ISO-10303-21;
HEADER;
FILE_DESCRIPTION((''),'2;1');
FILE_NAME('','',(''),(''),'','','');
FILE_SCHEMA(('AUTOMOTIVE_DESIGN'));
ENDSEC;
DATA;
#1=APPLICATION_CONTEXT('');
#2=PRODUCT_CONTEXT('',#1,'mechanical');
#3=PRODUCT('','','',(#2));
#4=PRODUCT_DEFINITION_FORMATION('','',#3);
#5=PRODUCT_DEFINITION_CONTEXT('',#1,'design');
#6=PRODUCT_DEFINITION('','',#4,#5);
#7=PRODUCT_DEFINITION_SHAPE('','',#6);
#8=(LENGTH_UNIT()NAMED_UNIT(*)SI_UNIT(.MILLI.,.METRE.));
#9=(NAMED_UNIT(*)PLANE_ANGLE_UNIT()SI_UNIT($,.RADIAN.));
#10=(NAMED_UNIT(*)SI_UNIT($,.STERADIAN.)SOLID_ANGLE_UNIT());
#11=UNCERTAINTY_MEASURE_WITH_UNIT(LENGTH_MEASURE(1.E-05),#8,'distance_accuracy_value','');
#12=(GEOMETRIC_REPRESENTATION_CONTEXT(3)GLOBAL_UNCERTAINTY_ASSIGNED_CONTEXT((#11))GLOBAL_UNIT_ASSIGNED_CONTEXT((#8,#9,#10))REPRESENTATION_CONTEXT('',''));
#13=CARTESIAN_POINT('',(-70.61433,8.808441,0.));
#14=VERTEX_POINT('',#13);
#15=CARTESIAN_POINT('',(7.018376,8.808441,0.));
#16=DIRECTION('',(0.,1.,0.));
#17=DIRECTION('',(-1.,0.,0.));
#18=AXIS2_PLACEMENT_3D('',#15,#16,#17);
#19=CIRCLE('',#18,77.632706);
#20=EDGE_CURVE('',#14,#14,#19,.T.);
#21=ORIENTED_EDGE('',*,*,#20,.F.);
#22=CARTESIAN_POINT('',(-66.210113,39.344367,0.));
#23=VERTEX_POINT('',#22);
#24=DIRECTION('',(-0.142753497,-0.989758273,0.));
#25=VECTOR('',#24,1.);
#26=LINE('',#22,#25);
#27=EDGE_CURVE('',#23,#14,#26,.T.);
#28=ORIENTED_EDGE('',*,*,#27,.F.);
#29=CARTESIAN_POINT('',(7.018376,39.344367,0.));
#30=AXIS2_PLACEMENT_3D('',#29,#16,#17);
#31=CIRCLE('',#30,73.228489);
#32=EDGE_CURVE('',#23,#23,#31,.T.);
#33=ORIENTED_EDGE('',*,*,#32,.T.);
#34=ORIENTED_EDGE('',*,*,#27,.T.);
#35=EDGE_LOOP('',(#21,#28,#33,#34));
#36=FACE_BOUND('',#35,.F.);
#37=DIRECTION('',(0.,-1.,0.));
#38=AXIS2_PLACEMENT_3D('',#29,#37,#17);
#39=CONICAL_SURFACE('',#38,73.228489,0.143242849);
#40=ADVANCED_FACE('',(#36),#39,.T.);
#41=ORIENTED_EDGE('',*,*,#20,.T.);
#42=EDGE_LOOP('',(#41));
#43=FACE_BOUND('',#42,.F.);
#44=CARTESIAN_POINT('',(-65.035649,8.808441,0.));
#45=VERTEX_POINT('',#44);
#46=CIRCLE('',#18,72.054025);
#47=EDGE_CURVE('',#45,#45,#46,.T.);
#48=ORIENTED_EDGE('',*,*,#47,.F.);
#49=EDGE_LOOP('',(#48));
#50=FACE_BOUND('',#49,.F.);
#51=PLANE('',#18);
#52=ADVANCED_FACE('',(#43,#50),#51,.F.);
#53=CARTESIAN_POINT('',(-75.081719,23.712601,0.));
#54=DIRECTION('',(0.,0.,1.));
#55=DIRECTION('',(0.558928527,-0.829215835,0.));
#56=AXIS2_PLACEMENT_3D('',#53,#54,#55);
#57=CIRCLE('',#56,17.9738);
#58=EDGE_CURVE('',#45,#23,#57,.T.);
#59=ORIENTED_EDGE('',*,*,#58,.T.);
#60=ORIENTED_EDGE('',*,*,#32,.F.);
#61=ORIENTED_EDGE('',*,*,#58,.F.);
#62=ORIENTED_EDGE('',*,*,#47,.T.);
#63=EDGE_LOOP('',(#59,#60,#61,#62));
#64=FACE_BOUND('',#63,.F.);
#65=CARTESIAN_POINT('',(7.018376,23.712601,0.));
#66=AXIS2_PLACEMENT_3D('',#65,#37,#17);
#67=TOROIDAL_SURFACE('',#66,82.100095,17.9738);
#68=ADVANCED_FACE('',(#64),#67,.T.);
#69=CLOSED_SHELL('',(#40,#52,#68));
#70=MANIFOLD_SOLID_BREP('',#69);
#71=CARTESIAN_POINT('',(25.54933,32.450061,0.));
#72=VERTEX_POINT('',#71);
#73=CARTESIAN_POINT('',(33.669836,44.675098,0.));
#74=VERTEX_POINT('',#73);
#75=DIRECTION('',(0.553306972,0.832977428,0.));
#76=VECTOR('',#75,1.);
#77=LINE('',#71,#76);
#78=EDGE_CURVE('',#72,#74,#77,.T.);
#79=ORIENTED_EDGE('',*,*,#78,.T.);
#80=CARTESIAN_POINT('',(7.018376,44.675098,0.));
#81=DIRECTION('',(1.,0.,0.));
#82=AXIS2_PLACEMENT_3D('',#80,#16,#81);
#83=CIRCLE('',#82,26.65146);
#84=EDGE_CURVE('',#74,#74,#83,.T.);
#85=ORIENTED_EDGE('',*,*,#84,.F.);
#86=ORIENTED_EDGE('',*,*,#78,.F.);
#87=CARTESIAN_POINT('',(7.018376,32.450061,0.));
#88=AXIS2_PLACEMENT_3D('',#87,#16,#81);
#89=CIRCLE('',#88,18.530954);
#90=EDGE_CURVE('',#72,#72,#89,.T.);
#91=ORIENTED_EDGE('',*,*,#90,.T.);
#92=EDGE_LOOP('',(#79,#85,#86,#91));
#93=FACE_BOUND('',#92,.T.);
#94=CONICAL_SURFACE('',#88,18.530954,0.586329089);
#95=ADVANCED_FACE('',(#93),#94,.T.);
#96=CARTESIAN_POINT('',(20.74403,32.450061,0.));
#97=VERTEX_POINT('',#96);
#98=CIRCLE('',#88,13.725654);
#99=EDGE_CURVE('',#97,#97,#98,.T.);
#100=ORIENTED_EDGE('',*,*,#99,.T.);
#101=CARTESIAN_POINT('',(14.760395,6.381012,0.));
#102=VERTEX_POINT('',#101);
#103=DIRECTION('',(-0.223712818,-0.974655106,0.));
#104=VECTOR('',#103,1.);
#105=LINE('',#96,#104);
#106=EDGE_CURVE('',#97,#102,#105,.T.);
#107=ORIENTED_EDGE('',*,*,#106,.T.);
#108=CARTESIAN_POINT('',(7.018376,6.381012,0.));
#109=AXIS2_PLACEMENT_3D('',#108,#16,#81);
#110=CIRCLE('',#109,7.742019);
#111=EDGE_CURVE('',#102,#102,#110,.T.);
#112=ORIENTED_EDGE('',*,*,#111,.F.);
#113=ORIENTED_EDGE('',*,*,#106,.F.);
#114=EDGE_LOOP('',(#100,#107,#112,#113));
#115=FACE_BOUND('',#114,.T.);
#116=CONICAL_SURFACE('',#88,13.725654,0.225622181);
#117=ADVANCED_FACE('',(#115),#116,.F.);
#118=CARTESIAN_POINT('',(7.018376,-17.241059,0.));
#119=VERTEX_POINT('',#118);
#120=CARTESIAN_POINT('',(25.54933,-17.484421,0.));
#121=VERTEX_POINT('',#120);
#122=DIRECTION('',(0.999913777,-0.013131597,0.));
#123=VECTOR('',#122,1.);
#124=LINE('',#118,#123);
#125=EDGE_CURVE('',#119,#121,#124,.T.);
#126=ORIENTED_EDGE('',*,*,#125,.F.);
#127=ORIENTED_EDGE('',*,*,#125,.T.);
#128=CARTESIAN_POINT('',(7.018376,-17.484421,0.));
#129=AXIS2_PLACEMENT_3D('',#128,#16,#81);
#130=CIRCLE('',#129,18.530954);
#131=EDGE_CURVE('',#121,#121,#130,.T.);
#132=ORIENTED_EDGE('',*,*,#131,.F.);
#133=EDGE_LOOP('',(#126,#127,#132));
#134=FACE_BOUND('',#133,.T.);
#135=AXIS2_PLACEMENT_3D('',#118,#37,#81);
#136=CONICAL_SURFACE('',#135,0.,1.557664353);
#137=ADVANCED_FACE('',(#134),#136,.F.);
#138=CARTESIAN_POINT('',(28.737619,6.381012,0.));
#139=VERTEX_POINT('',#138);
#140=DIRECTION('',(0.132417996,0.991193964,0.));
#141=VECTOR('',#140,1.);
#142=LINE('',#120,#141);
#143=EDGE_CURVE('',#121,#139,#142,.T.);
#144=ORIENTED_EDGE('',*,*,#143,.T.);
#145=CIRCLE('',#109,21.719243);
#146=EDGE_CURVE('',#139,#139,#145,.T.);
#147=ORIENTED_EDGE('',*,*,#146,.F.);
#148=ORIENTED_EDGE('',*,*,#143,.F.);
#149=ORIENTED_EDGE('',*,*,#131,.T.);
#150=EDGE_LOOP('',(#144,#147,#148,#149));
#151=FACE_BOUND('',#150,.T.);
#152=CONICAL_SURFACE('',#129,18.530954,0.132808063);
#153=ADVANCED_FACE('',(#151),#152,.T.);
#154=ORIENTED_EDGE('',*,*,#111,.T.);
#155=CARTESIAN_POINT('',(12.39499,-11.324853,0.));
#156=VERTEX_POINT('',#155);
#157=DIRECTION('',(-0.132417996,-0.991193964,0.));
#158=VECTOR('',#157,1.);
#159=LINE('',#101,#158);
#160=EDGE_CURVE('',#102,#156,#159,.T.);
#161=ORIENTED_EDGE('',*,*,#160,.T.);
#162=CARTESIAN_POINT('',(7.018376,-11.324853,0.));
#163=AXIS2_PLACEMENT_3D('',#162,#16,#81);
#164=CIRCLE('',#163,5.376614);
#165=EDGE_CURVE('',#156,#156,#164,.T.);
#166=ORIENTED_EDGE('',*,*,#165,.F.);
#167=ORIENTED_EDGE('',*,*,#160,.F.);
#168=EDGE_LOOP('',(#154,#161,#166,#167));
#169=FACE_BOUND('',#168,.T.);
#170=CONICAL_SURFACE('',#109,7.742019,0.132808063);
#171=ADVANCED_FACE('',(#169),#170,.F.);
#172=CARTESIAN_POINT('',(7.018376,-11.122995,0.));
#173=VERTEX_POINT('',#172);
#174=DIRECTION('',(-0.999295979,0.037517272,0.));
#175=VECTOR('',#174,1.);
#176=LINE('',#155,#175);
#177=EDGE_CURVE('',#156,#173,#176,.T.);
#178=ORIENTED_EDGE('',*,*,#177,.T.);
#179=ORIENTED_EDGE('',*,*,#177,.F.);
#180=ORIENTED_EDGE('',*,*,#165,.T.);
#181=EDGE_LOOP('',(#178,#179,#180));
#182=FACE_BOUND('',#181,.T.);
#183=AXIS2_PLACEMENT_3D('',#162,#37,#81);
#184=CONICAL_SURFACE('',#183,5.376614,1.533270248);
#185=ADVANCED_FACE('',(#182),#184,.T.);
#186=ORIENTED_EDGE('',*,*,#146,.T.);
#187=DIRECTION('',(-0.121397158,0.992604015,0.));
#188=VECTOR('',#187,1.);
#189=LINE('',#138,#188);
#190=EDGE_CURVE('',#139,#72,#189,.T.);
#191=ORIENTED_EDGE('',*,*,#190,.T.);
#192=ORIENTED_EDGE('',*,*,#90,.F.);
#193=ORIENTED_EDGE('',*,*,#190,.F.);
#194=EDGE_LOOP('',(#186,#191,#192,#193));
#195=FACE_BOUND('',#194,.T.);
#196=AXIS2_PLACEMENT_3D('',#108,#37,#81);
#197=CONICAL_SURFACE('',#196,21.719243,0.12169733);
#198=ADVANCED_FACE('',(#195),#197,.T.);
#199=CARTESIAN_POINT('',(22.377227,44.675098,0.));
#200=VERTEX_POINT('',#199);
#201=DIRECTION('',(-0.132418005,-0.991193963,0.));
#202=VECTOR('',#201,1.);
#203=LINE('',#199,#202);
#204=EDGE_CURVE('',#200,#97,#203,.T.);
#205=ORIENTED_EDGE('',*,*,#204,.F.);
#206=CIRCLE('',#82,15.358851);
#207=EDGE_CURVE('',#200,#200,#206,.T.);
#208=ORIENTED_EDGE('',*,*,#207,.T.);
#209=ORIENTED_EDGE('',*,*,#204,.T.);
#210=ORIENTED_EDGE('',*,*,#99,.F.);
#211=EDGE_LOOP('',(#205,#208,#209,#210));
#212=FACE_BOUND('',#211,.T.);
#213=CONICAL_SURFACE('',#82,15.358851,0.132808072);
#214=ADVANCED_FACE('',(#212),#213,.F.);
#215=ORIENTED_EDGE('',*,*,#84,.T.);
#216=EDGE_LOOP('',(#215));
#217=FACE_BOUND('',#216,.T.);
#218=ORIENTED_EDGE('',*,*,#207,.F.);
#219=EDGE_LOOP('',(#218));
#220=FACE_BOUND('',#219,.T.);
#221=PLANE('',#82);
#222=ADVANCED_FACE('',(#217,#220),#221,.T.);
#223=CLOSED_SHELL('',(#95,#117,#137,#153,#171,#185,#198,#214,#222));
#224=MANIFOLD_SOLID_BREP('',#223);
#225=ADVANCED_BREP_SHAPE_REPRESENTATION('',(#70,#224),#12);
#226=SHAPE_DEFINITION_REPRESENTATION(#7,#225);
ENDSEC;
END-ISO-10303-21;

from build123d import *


with BuildPart() as f1:
    # F0 (on Top) → F1 (revolve)
    with BuildSketch(Plane.XY):
        Polygon((33.669836, 44.675098), (22.377227, 44.675098), (20.74403, 32.450061), (14.760395, 6.381012), (12.39499, -11.324853), (7.018376, -11.122995), (7.018376, -17.241059), (25.54933, -17.484421), (28.737619, 6.381012), (25.54933, 32.450061), align=None)
        with BuildLine():
            Line((-70.61433, 8.808441), (-65.035649, 8.808441))
            ThreePointArc((-65.035649, 8.808441), (-57.121198, 24.403393), (-66.210113, 39.344367))
            Line((-66.210113, 39.344367), (-70.61433, 8.808441))
        make_face()
    revolve(axis=Axis((7.018376, 20.487002, 0), (0, 1, 0)))


solid = f1.part
